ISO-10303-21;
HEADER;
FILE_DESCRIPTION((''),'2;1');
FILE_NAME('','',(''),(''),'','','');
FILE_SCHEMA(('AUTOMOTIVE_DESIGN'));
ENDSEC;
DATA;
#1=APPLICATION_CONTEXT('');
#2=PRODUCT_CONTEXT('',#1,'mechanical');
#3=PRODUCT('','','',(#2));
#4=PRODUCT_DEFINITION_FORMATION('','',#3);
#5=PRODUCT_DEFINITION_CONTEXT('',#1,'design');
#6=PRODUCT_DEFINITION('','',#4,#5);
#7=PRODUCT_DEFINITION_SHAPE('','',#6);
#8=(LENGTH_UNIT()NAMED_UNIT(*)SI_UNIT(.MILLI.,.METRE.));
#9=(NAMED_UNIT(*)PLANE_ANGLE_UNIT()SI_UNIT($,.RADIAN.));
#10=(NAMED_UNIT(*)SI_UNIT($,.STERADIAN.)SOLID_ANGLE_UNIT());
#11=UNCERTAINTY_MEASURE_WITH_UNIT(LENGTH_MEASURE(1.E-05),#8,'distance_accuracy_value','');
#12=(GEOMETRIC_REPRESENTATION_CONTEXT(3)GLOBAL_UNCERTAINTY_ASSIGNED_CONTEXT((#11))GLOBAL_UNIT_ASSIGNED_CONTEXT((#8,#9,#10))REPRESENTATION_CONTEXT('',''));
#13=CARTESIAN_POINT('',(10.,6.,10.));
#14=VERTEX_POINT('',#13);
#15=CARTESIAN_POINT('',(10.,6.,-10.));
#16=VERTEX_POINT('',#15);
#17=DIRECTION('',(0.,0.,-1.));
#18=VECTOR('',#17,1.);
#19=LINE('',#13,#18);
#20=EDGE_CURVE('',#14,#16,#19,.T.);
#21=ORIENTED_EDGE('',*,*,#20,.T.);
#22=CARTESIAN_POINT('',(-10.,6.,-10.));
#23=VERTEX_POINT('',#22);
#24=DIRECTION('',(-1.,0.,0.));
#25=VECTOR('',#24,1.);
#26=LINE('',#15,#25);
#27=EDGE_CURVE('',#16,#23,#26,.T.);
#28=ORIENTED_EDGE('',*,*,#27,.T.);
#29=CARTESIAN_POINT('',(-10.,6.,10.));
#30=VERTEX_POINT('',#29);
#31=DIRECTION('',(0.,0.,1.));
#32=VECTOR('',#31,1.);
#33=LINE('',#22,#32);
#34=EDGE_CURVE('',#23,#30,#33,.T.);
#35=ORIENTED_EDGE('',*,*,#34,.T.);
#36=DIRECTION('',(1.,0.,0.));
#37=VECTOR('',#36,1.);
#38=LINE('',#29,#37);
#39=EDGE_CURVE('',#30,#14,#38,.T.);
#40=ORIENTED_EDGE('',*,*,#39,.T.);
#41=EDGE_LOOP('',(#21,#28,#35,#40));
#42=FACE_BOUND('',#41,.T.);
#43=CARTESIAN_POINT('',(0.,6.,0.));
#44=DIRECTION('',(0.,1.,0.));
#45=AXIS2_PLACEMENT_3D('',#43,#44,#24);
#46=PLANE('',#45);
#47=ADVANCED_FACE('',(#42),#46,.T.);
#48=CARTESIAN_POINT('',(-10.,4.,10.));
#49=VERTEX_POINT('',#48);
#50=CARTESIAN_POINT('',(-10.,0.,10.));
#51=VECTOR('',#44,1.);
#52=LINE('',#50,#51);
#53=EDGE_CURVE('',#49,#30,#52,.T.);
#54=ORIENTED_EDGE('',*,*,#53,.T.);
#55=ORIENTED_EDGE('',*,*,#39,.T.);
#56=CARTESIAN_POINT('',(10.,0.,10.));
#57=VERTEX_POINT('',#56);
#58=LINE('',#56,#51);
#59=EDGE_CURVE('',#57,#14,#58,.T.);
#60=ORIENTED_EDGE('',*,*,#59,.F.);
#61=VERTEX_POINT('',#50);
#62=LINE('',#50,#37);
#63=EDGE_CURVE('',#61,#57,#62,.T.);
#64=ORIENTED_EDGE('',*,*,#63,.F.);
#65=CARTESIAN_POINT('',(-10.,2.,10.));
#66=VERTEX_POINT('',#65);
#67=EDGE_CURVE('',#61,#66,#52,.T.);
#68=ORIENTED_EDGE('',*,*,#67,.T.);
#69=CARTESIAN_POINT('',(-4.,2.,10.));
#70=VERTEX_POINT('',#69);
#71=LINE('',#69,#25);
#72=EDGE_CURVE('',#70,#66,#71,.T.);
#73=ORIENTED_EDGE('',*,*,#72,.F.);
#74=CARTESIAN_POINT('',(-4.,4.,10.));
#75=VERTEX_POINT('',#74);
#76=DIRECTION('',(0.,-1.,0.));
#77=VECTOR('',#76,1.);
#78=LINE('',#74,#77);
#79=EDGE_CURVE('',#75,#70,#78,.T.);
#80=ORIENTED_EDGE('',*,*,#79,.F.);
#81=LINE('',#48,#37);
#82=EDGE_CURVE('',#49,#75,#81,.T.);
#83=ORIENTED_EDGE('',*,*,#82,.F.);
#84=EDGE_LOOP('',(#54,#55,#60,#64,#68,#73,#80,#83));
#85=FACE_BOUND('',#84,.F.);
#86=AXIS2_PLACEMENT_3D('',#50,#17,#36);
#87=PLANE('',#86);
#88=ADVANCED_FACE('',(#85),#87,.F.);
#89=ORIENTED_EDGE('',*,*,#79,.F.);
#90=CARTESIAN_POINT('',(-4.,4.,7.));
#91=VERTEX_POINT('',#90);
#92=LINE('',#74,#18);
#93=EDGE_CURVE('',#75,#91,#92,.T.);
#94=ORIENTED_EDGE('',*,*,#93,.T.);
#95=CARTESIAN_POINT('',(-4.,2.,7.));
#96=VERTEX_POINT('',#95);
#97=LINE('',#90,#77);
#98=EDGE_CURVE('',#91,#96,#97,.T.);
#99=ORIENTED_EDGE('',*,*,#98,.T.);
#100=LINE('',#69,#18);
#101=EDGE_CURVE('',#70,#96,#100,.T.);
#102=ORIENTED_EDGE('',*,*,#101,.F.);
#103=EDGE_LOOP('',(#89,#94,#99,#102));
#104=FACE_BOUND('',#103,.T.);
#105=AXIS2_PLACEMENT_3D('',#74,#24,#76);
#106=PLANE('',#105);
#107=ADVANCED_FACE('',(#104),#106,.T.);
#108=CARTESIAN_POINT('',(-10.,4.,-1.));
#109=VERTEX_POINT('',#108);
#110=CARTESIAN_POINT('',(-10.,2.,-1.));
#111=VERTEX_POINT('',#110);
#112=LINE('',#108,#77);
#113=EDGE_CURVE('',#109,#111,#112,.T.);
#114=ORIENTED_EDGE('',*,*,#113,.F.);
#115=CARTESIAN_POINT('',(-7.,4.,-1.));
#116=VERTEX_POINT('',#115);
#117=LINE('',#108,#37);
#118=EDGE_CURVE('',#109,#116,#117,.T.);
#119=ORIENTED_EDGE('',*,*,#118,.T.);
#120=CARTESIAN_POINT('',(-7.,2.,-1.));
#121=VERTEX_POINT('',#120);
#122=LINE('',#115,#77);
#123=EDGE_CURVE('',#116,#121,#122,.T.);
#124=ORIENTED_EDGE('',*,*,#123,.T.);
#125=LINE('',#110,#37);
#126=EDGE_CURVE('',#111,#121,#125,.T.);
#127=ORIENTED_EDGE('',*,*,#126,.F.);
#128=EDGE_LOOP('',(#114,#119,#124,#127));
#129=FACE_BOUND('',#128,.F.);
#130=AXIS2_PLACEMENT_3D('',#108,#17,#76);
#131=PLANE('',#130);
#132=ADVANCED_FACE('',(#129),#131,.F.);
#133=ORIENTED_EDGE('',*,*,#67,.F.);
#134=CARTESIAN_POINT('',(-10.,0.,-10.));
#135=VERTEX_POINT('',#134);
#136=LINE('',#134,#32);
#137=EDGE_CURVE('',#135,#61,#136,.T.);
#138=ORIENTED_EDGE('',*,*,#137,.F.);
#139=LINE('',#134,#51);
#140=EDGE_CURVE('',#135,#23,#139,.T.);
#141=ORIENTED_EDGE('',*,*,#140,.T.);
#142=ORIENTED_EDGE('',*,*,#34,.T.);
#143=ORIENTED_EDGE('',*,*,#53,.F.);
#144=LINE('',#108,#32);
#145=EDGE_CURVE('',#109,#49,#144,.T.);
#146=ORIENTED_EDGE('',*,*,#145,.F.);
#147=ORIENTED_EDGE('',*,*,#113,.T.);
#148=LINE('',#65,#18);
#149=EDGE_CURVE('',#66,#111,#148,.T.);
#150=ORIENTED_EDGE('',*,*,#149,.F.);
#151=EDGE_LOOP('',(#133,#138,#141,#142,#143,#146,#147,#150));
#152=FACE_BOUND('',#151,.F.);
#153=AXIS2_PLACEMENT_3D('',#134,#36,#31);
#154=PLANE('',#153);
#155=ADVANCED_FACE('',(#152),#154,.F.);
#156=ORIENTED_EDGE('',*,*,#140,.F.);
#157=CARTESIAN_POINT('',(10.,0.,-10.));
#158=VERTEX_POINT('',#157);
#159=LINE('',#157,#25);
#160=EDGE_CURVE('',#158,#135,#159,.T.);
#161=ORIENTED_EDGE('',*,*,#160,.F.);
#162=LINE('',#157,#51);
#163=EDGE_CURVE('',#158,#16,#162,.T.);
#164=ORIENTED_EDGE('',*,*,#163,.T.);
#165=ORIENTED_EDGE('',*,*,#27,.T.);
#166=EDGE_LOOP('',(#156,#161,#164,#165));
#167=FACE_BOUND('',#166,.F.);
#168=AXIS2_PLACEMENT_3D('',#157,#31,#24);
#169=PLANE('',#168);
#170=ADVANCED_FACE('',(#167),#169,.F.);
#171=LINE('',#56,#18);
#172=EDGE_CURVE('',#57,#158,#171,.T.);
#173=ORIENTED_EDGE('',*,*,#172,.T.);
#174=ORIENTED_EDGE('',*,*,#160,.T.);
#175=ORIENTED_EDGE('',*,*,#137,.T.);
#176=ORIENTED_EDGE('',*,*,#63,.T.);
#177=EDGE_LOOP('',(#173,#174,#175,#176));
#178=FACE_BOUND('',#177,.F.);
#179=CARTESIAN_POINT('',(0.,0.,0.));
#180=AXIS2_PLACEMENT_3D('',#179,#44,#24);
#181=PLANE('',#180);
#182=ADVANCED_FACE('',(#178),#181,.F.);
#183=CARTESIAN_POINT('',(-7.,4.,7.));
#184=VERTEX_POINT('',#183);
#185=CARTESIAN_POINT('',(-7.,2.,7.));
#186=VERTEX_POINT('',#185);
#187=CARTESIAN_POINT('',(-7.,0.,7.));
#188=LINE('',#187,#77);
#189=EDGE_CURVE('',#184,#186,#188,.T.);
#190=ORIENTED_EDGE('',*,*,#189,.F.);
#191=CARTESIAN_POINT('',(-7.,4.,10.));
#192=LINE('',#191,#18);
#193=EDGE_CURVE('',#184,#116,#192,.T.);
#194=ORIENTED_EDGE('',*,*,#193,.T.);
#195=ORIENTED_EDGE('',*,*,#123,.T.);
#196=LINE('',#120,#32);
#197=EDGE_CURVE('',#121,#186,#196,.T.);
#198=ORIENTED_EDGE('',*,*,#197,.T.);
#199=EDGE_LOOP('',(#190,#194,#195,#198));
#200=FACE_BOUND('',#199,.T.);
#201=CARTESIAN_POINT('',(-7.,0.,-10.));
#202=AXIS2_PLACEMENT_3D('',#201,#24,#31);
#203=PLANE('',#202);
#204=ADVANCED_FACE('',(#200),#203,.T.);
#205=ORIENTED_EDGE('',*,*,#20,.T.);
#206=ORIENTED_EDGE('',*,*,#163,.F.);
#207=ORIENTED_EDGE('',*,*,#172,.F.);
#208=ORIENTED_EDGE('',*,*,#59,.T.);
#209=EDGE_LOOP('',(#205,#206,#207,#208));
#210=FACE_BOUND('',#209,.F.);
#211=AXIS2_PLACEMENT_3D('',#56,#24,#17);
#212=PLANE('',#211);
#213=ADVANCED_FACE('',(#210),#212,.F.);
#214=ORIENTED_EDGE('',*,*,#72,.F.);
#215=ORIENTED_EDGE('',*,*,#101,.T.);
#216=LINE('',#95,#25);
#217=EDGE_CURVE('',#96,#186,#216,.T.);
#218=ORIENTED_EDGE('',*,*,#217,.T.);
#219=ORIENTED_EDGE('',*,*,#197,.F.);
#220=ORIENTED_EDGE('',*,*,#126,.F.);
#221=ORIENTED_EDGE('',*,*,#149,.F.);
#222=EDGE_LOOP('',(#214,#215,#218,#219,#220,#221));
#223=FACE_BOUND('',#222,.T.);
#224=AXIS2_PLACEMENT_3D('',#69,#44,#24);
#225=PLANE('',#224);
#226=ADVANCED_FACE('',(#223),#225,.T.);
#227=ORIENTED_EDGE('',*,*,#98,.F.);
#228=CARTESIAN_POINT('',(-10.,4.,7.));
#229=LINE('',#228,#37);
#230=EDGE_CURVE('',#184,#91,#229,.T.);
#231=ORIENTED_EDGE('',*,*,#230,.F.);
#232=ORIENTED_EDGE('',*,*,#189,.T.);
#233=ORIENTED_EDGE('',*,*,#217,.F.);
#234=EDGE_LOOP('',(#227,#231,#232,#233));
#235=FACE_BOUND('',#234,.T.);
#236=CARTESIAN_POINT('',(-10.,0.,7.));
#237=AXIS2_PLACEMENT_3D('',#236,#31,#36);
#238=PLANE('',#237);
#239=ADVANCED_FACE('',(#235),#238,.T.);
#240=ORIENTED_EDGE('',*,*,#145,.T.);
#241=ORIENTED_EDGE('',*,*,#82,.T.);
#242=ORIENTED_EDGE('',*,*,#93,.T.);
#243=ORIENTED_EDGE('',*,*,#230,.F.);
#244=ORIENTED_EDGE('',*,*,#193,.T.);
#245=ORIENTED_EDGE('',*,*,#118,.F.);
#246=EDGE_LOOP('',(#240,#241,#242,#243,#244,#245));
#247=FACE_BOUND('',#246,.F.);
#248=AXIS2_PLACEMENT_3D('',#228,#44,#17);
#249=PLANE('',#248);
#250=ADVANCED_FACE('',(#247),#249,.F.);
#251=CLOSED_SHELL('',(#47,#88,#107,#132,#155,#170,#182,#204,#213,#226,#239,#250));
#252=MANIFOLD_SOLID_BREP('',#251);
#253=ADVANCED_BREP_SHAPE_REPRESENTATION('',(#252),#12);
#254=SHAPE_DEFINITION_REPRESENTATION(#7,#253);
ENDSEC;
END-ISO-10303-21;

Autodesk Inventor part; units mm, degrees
ref_plane "YZ Plane" through (0, 0, 0) normal (1, 0, 0) x (0, 1, 0)
ref_plane "XZ Plane" through (0, 0, 0) normal (0, 1, 0) x (-1, 0, 0)
ref_plane "XY Plane" through (0, 0, 0) normal (0, 0, 1) x (1, 0, 0)
sketch "Sketch1" plane through (0, 0, 0) normal (0, 1, 0) x (-1, 0, 0)
  line L0 (10, 10) -> (-10, 10)
  line L1 (-10, 10) -> (-10, -10)
  line L2 (-10, -10) -> (10, -10)
  line L3 (10, -10) -> (10, 10)
  line L4 (10, 10) -> (-10, -10) construction
  line L5 (-10, 10) -> (10, -10) construction
  point P0 (0, 0)
  dimension "d0" = 20
  dimension "d1" = 20
extrude "Extrusion1" add sketch "Sketch1" along normal blind 6
sketch "Sketch2" plane through (-10, 0, 10) normal (0, 0, 1) x (1, 0, 0)
  line L0 (0, 0) -> (0, 6) projected
  line L1 (0, 4) -> (6, 4)
  line L2 (6, 4) -> (6, 2)
  line L3 (6, 2) -> (0, 2)
  line L4 (0, 2) -> (0, 4)
  line L5 (0, 0) -> (20, 0) projected
  point P0 (10, 0)
  point P1 (0, 2)
  dimension "d4" = 6
  dimension "d5" = 2
  dimension "d6" = 2
extrude "Extrusion2" cut sketch "Sketch2" against normal blind 3
sketch "Sketch3" plane through (-10, 0, -10) normal (-1, 0, 0) x (0, 0, 1)
  line L0 (20, 4) -> (17, 4) projected
  line L1 (20, 4) -> (9, 4)
  line L2 (9, 4) -> (9, 2)
  line L3 (9, 2) -> (20, 2)
  line L4 (20, 2) -> (20, 4)
  point P0 (10, 0)
  dimension "d9" = 11
  dimension "d10" = 2
extrude "Extrusion3" cut sketch "Sketch3" against normal blind 3
properties part number "Bracket Lifter Motor_3DPrint"
